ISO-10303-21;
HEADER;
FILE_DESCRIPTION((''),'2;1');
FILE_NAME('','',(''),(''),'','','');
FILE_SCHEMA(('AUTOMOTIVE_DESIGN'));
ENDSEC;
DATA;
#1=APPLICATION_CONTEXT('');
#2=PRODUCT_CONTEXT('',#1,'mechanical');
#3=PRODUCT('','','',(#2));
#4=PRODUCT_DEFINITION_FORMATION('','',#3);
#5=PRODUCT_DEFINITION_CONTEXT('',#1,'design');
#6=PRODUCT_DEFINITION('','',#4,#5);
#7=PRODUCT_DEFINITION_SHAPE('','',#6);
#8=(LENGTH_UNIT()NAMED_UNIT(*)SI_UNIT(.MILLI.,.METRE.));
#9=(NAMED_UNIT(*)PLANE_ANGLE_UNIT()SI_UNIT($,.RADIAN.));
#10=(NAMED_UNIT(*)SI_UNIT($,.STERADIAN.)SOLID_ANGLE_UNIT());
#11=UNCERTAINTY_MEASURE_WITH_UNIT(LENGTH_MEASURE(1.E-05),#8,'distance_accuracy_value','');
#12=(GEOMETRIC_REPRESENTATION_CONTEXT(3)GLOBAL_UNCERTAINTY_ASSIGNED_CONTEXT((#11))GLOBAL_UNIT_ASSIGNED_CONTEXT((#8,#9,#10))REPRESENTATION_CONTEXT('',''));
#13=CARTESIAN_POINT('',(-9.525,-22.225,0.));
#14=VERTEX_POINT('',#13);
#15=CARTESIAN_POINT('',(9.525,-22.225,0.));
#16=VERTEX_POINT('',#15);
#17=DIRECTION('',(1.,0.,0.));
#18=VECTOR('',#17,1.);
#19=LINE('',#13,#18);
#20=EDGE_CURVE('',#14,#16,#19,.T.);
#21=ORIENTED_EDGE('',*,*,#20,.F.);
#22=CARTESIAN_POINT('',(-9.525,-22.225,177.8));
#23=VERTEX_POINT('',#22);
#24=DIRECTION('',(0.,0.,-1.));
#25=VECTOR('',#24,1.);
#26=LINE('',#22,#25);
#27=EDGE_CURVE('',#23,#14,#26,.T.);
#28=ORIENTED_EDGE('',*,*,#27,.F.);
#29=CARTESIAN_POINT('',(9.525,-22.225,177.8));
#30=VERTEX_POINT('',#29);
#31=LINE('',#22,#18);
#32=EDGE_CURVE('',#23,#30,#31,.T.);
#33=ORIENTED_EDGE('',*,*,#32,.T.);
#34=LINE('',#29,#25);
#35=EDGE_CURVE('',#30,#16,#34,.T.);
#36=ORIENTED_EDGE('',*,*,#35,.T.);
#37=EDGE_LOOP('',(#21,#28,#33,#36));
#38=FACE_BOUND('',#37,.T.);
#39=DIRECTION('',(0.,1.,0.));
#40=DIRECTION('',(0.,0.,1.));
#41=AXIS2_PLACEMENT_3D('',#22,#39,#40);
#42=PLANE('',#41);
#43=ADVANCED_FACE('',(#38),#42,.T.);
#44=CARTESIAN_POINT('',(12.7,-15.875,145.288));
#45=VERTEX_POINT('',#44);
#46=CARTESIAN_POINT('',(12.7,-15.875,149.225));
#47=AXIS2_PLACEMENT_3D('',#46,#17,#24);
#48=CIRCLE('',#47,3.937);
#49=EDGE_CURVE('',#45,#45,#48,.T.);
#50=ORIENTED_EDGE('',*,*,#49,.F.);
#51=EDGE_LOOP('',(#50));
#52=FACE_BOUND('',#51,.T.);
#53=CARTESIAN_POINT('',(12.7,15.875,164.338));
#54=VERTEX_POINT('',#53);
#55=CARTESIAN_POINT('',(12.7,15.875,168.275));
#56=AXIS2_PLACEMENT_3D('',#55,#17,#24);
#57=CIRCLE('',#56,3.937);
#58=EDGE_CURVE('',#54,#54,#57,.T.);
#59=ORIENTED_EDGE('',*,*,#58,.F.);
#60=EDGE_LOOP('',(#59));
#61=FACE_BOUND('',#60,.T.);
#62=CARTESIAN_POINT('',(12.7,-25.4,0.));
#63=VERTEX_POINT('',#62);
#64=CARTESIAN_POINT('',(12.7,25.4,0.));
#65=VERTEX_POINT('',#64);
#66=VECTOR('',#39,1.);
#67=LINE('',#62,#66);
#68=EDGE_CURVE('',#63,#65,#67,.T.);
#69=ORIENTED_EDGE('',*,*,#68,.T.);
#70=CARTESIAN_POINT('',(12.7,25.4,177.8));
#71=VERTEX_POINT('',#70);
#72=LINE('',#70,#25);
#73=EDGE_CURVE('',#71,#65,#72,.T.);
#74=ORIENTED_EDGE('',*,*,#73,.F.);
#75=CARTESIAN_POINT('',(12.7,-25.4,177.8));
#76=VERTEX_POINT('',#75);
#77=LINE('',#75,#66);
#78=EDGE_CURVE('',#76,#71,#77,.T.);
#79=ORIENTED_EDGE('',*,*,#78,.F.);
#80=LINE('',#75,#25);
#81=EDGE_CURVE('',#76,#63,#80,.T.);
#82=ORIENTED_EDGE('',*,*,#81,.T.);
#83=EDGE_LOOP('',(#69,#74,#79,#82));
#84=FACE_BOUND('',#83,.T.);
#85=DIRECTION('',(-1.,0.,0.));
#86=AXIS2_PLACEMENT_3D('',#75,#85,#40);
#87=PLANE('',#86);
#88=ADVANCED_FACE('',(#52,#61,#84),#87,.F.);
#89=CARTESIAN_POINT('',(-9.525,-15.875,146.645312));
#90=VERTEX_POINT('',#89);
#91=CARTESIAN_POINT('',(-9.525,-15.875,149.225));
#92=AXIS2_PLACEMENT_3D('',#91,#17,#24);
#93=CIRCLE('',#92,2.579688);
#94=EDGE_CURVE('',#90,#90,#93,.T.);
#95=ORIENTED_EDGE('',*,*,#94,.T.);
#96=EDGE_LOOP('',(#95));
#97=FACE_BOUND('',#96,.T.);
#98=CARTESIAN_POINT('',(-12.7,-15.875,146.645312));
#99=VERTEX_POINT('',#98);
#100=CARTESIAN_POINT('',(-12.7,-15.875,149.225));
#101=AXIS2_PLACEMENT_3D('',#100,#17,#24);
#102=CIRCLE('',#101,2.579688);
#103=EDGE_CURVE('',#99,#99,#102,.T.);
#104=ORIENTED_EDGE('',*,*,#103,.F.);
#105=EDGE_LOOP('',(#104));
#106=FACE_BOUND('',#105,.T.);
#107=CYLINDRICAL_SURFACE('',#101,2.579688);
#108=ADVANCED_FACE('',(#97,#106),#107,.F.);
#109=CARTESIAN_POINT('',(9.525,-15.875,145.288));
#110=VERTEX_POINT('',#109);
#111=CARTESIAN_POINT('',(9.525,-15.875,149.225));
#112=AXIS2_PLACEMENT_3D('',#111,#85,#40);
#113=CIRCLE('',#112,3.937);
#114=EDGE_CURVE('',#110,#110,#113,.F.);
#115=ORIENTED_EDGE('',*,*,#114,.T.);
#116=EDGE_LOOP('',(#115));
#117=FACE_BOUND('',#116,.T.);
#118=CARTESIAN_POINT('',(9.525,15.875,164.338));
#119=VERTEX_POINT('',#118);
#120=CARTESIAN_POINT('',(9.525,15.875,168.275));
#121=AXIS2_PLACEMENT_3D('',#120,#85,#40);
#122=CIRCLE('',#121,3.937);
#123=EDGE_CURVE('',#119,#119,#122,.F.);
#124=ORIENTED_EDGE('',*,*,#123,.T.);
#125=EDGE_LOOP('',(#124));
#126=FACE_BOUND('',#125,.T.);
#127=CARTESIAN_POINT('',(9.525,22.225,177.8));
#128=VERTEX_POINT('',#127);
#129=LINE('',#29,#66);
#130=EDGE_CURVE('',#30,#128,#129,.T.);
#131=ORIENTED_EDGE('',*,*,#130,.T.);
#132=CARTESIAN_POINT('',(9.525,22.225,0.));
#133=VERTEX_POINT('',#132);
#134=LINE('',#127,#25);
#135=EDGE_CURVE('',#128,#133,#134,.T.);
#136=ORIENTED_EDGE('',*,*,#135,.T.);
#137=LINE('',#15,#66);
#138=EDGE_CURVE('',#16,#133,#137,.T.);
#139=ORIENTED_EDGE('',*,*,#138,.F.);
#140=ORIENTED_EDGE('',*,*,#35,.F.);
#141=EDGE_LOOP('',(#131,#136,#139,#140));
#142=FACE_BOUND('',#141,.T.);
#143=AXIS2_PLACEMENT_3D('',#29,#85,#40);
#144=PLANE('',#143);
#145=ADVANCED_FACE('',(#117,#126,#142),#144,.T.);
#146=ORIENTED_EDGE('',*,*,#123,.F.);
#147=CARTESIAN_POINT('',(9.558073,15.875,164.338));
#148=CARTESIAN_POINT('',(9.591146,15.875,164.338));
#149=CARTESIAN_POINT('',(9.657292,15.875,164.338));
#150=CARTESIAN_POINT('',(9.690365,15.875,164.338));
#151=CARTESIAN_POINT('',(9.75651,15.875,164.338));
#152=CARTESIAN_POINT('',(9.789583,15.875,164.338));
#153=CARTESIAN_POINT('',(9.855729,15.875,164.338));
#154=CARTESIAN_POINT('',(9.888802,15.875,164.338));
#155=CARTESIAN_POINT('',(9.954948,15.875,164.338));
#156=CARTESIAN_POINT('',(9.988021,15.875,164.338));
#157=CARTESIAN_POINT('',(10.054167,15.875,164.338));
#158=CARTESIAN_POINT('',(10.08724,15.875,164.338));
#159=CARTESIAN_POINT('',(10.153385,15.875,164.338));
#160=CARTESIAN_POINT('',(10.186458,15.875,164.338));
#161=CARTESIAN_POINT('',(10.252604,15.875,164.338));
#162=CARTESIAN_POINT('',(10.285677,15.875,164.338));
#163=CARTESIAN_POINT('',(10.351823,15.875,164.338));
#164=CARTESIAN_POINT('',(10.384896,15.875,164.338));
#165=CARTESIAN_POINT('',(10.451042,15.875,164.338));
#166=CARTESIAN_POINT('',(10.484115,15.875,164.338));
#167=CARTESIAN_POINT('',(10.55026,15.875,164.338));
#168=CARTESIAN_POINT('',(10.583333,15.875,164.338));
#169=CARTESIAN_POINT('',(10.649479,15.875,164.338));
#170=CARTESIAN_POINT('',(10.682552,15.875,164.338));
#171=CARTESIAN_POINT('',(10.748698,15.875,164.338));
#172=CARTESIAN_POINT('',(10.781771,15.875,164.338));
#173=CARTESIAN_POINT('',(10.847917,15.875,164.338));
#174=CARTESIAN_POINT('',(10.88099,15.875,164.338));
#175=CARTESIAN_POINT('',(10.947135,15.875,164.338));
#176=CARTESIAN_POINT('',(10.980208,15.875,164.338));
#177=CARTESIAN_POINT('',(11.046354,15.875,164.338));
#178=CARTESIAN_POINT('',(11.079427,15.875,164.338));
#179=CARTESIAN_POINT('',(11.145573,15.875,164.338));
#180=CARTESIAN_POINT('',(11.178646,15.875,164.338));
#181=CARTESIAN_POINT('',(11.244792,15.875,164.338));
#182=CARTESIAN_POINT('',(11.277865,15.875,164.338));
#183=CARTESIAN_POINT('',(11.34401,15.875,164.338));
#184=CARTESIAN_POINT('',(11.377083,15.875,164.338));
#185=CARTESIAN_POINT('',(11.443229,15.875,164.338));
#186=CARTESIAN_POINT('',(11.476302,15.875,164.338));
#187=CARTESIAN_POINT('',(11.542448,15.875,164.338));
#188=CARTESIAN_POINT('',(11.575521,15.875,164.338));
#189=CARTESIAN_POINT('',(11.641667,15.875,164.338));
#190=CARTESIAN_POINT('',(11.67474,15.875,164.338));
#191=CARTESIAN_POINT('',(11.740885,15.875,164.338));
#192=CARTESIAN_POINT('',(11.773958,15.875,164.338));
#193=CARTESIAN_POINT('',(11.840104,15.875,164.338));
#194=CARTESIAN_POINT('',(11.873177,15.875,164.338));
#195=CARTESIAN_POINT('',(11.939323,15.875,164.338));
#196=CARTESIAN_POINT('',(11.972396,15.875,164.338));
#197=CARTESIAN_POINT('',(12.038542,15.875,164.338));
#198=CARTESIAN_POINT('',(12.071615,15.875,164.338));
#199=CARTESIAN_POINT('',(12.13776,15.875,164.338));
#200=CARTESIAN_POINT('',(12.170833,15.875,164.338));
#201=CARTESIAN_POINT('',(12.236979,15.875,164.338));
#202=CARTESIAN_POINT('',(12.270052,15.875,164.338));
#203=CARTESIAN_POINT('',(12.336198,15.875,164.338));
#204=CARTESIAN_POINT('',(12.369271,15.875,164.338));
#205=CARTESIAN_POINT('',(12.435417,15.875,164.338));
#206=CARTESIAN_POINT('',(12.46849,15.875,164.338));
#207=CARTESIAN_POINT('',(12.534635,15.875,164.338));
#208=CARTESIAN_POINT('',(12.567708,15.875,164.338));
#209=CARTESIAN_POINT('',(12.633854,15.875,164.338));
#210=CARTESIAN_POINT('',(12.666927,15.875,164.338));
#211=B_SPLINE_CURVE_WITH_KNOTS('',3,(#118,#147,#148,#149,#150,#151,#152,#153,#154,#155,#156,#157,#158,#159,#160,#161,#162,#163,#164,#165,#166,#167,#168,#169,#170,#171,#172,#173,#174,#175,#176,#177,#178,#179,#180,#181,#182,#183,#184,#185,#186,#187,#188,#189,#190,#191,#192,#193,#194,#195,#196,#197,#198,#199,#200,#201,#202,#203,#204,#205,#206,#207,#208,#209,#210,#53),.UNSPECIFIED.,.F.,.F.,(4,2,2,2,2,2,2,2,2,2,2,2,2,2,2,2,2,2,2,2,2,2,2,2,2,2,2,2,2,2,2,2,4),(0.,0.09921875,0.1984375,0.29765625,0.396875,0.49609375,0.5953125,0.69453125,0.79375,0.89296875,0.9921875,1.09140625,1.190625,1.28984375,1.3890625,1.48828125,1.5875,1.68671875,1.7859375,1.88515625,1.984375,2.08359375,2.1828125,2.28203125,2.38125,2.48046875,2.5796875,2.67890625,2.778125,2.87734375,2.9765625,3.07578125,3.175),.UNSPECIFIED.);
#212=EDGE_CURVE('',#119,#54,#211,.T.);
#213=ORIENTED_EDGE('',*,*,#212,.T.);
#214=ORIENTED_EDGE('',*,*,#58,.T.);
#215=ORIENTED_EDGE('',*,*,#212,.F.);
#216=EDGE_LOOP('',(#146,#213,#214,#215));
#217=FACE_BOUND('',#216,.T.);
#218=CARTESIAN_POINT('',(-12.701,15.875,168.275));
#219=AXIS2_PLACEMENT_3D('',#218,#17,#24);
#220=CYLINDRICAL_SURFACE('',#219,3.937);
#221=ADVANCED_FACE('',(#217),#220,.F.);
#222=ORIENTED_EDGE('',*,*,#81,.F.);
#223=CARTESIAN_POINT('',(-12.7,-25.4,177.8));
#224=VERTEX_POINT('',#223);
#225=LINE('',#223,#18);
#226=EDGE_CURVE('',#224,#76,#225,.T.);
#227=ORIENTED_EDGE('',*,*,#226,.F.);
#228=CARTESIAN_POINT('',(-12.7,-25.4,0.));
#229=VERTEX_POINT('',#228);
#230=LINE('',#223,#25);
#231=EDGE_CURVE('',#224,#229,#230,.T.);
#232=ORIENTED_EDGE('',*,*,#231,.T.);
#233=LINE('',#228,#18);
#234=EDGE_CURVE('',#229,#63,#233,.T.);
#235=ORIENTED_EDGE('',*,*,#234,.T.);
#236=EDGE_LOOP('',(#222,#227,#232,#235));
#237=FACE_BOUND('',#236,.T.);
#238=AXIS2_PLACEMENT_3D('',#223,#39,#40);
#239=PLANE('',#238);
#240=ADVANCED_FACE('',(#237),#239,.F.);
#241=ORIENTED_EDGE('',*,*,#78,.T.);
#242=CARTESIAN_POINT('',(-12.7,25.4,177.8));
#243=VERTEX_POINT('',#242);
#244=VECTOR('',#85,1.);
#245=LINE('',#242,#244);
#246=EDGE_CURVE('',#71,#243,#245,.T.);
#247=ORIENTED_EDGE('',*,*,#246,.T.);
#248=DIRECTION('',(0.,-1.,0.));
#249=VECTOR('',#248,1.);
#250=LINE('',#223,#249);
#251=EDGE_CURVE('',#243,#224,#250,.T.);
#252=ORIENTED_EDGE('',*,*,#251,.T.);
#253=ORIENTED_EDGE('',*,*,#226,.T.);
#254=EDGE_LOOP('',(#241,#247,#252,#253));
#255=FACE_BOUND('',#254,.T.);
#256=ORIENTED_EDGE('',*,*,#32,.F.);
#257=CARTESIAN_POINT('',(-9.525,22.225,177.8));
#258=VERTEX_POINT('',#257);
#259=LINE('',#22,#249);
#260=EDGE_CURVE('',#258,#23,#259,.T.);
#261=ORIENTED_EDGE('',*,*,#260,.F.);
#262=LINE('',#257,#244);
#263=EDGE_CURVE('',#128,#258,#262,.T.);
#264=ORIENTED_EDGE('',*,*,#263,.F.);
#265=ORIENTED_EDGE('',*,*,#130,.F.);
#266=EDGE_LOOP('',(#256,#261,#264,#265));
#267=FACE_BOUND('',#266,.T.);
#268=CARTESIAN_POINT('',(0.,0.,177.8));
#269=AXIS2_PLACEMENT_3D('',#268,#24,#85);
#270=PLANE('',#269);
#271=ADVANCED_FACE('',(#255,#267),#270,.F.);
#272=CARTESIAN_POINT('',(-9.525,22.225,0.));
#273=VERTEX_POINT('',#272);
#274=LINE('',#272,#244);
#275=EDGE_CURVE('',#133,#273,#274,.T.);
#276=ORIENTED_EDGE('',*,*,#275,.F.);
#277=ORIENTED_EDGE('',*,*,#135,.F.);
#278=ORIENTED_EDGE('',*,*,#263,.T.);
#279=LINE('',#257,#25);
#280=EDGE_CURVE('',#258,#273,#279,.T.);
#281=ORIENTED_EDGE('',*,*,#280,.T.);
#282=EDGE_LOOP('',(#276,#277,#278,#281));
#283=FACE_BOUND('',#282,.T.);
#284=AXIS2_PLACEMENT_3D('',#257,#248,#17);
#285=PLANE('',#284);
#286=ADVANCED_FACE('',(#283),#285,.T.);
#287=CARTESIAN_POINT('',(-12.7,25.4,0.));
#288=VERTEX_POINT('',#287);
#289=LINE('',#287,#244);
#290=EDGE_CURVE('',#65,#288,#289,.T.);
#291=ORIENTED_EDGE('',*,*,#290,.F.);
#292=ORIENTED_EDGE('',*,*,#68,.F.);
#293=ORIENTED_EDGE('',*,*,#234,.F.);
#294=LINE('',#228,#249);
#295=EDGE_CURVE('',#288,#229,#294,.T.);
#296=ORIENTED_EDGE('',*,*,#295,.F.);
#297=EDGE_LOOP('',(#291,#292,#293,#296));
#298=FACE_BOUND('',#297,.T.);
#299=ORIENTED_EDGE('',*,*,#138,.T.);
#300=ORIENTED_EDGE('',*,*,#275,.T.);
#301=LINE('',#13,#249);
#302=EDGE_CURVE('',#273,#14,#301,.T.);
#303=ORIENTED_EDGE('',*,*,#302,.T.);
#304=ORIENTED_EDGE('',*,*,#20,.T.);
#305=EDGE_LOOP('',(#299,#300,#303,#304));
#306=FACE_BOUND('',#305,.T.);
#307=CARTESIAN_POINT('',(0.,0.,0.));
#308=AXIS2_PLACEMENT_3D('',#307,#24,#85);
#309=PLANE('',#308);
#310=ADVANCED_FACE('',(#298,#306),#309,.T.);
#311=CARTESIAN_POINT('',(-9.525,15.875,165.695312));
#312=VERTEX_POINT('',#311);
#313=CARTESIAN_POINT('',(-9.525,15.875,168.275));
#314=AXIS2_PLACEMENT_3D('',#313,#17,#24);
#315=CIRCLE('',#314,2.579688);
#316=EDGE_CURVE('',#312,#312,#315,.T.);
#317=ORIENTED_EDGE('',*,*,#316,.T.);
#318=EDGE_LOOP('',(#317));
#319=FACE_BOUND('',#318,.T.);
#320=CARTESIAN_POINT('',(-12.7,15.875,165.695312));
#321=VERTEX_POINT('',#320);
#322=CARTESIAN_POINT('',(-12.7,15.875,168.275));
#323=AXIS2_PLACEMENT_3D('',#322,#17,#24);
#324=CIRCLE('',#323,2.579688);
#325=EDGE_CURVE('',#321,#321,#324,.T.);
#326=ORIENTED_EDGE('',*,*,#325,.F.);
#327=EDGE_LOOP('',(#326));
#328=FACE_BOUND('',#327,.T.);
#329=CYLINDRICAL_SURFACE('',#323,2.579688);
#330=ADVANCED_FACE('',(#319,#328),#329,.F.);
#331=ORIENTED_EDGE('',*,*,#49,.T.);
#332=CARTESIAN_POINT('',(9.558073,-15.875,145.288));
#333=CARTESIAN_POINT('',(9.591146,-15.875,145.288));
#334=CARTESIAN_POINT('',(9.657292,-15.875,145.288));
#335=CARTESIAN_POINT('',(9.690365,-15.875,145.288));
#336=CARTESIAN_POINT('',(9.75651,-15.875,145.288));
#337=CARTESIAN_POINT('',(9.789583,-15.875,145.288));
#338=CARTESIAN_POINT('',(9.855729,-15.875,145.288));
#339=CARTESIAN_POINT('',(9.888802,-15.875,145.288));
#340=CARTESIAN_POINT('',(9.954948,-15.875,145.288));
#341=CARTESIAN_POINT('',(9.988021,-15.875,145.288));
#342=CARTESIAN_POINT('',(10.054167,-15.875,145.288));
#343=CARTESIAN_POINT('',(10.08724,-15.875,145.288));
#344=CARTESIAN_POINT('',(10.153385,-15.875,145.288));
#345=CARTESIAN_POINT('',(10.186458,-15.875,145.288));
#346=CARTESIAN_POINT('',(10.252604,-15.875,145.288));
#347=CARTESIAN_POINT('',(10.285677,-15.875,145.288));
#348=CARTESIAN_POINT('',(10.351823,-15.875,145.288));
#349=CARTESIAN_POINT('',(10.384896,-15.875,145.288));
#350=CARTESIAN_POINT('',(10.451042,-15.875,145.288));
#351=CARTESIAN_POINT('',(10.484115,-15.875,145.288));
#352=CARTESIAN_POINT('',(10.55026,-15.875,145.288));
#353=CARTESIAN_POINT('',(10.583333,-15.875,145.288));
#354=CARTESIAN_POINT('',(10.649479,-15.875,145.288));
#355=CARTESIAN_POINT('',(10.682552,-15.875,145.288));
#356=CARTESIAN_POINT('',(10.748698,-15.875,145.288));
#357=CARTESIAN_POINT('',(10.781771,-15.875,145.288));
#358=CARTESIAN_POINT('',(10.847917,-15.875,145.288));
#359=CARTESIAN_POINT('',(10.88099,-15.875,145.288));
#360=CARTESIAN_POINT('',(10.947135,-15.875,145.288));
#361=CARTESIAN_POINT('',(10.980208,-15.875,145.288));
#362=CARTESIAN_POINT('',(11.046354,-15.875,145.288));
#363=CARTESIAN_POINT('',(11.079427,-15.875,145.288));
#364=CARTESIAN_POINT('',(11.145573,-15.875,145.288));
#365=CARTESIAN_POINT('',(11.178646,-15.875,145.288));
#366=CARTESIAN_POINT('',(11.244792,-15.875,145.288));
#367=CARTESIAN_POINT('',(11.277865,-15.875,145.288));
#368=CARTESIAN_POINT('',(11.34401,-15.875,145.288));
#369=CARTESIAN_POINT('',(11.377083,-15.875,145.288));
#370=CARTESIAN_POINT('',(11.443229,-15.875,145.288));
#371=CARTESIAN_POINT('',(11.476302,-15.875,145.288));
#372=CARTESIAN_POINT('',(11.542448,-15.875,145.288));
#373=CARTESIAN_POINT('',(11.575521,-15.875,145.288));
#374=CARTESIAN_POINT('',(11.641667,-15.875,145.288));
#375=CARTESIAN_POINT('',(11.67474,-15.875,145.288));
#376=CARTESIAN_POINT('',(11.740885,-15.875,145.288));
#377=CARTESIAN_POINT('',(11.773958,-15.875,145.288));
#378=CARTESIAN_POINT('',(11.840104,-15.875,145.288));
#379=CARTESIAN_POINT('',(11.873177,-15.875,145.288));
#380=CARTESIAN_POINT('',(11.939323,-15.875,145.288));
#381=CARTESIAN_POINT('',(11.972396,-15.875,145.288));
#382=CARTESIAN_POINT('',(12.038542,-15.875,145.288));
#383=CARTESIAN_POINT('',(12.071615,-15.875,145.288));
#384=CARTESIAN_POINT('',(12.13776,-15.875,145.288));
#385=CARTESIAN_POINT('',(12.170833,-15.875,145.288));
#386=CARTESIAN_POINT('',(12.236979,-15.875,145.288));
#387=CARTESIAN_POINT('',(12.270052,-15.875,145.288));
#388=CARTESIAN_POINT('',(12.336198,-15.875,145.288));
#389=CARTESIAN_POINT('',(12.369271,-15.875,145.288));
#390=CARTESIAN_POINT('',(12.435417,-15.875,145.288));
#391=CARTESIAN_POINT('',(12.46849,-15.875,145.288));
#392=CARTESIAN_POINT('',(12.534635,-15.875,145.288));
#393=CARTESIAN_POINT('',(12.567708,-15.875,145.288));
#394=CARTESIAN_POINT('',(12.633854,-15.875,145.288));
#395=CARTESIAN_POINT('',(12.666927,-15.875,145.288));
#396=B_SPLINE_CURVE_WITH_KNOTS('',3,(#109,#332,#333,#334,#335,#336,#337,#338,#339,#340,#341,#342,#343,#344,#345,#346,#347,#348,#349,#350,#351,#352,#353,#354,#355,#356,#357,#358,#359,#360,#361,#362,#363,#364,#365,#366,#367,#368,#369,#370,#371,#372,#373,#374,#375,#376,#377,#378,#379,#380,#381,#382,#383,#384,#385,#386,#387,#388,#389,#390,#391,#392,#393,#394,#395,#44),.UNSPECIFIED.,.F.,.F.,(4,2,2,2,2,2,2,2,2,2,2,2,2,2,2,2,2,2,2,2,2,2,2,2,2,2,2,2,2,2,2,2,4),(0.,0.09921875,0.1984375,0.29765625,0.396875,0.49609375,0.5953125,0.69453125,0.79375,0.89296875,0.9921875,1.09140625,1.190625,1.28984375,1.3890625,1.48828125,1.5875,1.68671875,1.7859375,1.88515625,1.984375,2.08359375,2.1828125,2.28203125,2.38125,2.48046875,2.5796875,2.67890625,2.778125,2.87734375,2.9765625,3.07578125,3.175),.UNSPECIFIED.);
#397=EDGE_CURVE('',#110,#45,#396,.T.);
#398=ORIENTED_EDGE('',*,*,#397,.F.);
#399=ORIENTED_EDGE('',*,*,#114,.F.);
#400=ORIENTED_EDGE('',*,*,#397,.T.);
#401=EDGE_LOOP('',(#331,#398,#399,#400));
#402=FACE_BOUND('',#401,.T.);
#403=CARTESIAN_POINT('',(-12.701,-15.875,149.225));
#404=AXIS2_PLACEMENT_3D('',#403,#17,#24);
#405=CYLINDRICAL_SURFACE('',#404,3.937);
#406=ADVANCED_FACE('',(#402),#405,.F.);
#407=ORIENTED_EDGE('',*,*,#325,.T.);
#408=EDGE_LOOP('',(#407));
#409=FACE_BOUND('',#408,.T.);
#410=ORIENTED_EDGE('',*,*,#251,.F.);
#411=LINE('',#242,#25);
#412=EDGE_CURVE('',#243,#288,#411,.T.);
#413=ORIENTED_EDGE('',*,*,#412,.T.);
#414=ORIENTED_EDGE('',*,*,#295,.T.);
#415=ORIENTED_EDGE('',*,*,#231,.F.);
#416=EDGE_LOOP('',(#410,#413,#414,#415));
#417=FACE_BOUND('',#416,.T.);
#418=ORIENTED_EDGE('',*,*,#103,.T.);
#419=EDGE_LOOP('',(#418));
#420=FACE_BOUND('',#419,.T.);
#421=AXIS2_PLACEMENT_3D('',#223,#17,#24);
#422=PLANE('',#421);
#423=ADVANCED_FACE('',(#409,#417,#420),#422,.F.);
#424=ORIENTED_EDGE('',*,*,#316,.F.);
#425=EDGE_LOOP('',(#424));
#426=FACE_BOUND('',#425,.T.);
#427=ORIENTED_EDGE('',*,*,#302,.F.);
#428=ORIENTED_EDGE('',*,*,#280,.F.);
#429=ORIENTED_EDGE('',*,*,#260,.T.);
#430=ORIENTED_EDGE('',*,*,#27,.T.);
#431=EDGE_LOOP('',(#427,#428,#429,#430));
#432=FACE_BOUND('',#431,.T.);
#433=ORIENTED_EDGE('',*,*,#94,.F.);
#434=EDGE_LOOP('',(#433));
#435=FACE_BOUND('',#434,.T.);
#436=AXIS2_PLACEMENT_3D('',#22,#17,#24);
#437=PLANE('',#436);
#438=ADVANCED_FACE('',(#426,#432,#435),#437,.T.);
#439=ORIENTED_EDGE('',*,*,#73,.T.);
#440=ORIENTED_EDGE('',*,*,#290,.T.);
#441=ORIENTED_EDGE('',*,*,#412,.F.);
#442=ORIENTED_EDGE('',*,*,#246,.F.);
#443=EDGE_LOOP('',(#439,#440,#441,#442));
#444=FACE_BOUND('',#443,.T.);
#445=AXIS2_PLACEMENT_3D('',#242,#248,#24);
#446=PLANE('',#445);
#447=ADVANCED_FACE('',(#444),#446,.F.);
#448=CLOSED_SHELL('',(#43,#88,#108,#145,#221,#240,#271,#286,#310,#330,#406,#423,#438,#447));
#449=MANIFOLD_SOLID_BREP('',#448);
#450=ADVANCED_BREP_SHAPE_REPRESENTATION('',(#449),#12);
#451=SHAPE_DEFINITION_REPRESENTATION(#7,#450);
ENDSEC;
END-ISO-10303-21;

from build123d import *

# Parameters (mm, degrees)
SKETCH1_W           = 25.4
SKETCH1_H           = 50.8
SKETCH1_W_2         = 19.05
SKETCH1_H_2         = 44.45
BOSS_EXTRUDE1_DEPTH = 177.8
SKETCH2_R           = 2.5796875
CUT_EXTRUDE1_DEPTH  = 182.392282085
CUT_EXTRUDE2_REACH  = 183.392
SKETCH3_R           = 3.937


with BuildPart() as part:
    # Sketch1 → Boss-Extrude1 (new body)
    with BuildSketch(Plane.XY):
        Rectangle(SKETCH1_W, SKETCH1_H)
        Rectangle(SKETCH1_W_2, SKETCH1_H_2, mode=Mode.SUBTRACT)
    extrude(amount=BOSS_EXTRUDE1_DEPTH)

    # Sketch2 → Cut-Extrude1 (cut, through all)
    with BuildSketch(Plane(origin=(12.7, 0, 0), x_dir=(0, 0, -1), z_dir=(1, 0, 0))):
        with Locations((-168.275, 15.875)):
            Circle(SKETCH2_R)
        with Locations((-149.225, -15.875)):
            Circle(SKETCH2_R)
    extrude(amount=-CUT_EXTRUDE1_DEPTH, mode=Mode.SUBTRACT)

    # Sketch3 → Cut-Extrude2 (cut, up to next)
    with BuildSketch(Plane(origin=(12.7, 0, 0), x_dir=(0, 0, -1), z_dir=(1, 0, 0)), mode=Mode.PRIVATE) as cut_extrude2_sk1:
        with Locations((-168.275, 15.875)):
            Circle(SKETCH3_R)
    cut_extrude2_tool1 = extrude(cut_extrude2_sk1.sketch, amount=-CUT_EXTRUDE2_REACH, mode=Mode.PRIVATE) & part.part
    # Sketch3 → Cut-Extrude2 (cut, up to next)
    with BuildSketch(Plane(origin=(12.7, 0, 0), x_dir=(0, 0, -1), z_dir=(1, 0, 0)), mode=Mode.PRIVATE) as cut_extrude2_sk2:
        with Locations((-149.225, -15.875)):
            Circle(SKETCH3_R)
    cut_extrude2_tool2 = extrude(cut_extrude2_sk2.sketch, amount=-CUT_EXTRUDE2_REACH, mode=Mode.PRIVATE) & part.part
    add(cut_extrude2_tool1.solids().sort_by_distance((12.7, 15.875, 168.275))[0], mode=Mode.SUBTRACT)
    add(cut_extrude2_tool2.solids().sort_by_distance((12.7, -15.875, 149.225))[0], mode=Mode.SUBTRACT)


solid = part.part
